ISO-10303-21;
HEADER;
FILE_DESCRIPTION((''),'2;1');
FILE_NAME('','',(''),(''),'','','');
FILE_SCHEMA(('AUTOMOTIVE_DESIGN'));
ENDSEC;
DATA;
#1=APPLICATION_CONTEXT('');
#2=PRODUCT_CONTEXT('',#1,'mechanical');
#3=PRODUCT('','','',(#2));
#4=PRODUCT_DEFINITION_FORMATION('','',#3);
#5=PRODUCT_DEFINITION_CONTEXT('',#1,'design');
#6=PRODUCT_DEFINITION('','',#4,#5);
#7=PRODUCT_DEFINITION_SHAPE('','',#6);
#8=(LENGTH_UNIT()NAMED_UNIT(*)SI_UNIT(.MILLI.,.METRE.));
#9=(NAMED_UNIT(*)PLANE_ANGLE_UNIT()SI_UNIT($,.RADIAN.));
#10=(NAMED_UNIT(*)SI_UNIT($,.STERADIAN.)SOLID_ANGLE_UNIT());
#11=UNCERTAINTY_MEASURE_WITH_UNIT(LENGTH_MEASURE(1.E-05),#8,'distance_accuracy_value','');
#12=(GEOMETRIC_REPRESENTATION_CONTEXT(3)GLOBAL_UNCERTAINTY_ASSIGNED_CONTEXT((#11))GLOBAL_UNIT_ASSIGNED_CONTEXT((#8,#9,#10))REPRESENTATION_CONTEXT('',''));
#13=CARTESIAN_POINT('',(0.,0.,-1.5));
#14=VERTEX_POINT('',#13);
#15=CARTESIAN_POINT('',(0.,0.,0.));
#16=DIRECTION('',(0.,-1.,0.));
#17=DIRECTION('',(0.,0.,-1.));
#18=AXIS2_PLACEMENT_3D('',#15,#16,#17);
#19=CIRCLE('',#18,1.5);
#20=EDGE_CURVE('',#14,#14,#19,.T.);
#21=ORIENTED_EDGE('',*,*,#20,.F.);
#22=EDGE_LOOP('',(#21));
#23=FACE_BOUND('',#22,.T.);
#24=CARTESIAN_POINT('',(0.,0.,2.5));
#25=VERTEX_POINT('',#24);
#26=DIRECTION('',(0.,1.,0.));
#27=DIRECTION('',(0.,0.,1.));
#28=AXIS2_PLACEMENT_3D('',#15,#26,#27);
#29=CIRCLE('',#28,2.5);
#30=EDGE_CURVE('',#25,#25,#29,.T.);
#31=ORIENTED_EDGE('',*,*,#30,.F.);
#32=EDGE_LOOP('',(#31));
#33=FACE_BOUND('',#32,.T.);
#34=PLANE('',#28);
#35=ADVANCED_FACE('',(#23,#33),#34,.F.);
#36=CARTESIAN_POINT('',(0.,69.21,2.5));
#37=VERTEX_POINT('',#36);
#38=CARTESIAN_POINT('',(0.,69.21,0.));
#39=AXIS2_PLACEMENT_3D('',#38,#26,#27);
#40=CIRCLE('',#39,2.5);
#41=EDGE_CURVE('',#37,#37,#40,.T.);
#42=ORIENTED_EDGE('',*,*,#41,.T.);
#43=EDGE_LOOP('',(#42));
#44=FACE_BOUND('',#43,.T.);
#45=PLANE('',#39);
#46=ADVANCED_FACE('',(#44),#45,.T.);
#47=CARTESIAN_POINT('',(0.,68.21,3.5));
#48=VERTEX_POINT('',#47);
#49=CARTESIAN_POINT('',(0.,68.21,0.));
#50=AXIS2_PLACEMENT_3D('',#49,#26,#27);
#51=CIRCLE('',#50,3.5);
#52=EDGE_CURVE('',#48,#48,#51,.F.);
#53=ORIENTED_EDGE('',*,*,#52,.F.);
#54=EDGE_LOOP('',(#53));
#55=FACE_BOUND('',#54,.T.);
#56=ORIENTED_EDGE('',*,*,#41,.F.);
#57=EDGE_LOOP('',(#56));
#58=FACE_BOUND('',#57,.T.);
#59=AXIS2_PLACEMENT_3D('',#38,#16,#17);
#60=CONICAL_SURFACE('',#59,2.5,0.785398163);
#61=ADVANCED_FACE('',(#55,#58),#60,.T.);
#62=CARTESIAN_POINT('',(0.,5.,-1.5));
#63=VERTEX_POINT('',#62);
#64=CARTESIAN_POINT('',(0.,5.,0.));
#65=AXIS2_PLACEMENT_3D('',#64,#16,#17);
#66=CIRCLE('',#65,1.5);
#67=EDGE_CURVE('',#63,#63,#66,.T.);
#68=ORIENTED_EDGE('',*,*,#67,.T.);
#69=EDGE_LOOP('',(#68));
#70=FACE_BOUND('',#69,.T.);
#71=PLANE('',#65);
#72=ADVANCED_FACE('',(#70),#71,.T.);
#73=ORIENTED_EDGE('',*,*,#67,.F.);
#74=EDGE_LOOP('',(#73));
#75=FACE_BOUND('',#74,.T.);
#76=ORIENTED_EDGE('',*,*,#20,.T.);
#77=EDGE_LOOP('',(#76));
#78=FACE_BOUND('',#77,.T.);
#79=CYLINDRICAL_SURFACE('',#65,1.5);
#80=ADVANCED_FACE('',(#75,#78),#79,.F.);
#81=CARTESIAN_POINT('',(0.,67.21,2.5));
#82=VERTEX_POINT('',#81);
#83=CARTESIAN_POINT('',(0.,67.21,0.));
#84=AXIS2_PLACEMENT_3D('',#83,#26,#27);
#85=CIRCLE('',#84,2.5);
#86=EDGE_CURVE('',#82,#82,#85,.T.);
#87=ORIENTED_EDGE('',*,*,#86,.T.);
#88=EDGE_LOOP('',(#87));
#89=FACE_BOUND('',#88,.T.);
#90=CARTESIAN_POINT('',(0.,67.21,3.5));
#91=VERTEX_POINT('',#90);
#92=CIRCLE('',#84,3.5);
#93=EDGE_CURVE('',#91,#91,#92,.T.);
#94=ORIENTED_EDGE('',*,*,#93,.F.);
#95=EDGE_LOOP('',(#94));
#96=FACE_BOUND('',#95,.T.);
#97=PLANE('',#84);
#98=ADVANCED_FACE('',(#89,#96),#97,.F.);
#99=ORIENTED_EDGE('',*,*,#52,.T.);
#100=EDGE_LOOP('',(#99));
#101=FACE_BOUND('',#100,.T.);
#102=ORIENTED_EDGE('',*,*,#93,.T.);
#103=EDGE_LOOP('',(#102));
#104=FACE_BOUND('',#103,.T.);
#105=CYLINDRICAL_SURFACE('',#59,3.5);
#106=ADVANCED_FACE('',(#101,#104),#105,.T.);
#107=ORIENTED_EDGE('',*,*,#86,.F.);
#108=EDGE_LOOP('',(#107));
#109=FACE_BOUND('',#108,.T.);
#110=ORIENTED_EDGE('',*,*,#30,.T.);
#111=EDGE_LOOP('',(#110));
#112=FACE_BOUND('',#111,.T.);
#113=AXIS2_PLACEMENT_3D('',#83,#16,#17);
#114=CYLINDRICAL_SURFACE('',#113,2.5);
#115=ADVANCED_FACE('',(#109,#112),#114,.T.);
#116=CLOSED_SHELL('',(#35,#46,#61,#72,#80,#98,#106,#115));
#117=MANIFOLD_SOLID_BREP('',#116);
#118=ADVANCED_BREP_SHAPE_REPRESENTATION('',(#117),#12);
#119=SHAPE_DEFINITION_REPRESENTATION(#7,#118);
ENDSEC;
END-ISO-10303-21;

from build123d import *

# Parameters (mm, degrees)
SKETCH1_R           = 2.5
BOSS_EXTRUDE1_DEPTH = 67.21
SKETCH2_R           = 3.5
BOSS_EXTRUDE2_DEPTH = 2
CHAMFER1_SIZE       = 1
SKETCH3_R           = 1.5
CUT_EXTRUDE1_DEPTH  = 5


with BuildPart() as part:
    # Sketch1 → Boss-Extrude1 (new body)
    with BuildSketch(Plane(origin=(0, 0, 0), x_dir=(1, 0, 0), z_dir=(0, 1, 0))):
        Circle(SKETCH1_R)
    extrude(amount=BOSS_EXTRUDE1_DEPTH)

    # Sketch2 → Boss-Extrude2 (add)
    with BuildSketch(Plane(origin=(0, 67.21, 0), x_dir=(1, 0, 0), z_dir=(0, 1, 0))):
        Circle(SKETCH2_R)
    extrude(amount=BOSS_EXTRUDE2_DEPTH)

    # Chamfer1
    chamfer1_edges = [part.edges().sort_by_distance(p)[0] for p in [
        (-3.5, 69.21, 0),
    ]]
    chamfer(chamfer1_edges, length=CHAMFER1_SIZE)

    # Sketch3 → Cut-Extrude1 (cut)
    with BuildSketch(Plane.XZ):
        Circle(SKETCH3_R)
    extrude(amount=-CUT_EXTRUDE1_DEPTH, mode=Mode.SUBTRACT)


solid = part.part
